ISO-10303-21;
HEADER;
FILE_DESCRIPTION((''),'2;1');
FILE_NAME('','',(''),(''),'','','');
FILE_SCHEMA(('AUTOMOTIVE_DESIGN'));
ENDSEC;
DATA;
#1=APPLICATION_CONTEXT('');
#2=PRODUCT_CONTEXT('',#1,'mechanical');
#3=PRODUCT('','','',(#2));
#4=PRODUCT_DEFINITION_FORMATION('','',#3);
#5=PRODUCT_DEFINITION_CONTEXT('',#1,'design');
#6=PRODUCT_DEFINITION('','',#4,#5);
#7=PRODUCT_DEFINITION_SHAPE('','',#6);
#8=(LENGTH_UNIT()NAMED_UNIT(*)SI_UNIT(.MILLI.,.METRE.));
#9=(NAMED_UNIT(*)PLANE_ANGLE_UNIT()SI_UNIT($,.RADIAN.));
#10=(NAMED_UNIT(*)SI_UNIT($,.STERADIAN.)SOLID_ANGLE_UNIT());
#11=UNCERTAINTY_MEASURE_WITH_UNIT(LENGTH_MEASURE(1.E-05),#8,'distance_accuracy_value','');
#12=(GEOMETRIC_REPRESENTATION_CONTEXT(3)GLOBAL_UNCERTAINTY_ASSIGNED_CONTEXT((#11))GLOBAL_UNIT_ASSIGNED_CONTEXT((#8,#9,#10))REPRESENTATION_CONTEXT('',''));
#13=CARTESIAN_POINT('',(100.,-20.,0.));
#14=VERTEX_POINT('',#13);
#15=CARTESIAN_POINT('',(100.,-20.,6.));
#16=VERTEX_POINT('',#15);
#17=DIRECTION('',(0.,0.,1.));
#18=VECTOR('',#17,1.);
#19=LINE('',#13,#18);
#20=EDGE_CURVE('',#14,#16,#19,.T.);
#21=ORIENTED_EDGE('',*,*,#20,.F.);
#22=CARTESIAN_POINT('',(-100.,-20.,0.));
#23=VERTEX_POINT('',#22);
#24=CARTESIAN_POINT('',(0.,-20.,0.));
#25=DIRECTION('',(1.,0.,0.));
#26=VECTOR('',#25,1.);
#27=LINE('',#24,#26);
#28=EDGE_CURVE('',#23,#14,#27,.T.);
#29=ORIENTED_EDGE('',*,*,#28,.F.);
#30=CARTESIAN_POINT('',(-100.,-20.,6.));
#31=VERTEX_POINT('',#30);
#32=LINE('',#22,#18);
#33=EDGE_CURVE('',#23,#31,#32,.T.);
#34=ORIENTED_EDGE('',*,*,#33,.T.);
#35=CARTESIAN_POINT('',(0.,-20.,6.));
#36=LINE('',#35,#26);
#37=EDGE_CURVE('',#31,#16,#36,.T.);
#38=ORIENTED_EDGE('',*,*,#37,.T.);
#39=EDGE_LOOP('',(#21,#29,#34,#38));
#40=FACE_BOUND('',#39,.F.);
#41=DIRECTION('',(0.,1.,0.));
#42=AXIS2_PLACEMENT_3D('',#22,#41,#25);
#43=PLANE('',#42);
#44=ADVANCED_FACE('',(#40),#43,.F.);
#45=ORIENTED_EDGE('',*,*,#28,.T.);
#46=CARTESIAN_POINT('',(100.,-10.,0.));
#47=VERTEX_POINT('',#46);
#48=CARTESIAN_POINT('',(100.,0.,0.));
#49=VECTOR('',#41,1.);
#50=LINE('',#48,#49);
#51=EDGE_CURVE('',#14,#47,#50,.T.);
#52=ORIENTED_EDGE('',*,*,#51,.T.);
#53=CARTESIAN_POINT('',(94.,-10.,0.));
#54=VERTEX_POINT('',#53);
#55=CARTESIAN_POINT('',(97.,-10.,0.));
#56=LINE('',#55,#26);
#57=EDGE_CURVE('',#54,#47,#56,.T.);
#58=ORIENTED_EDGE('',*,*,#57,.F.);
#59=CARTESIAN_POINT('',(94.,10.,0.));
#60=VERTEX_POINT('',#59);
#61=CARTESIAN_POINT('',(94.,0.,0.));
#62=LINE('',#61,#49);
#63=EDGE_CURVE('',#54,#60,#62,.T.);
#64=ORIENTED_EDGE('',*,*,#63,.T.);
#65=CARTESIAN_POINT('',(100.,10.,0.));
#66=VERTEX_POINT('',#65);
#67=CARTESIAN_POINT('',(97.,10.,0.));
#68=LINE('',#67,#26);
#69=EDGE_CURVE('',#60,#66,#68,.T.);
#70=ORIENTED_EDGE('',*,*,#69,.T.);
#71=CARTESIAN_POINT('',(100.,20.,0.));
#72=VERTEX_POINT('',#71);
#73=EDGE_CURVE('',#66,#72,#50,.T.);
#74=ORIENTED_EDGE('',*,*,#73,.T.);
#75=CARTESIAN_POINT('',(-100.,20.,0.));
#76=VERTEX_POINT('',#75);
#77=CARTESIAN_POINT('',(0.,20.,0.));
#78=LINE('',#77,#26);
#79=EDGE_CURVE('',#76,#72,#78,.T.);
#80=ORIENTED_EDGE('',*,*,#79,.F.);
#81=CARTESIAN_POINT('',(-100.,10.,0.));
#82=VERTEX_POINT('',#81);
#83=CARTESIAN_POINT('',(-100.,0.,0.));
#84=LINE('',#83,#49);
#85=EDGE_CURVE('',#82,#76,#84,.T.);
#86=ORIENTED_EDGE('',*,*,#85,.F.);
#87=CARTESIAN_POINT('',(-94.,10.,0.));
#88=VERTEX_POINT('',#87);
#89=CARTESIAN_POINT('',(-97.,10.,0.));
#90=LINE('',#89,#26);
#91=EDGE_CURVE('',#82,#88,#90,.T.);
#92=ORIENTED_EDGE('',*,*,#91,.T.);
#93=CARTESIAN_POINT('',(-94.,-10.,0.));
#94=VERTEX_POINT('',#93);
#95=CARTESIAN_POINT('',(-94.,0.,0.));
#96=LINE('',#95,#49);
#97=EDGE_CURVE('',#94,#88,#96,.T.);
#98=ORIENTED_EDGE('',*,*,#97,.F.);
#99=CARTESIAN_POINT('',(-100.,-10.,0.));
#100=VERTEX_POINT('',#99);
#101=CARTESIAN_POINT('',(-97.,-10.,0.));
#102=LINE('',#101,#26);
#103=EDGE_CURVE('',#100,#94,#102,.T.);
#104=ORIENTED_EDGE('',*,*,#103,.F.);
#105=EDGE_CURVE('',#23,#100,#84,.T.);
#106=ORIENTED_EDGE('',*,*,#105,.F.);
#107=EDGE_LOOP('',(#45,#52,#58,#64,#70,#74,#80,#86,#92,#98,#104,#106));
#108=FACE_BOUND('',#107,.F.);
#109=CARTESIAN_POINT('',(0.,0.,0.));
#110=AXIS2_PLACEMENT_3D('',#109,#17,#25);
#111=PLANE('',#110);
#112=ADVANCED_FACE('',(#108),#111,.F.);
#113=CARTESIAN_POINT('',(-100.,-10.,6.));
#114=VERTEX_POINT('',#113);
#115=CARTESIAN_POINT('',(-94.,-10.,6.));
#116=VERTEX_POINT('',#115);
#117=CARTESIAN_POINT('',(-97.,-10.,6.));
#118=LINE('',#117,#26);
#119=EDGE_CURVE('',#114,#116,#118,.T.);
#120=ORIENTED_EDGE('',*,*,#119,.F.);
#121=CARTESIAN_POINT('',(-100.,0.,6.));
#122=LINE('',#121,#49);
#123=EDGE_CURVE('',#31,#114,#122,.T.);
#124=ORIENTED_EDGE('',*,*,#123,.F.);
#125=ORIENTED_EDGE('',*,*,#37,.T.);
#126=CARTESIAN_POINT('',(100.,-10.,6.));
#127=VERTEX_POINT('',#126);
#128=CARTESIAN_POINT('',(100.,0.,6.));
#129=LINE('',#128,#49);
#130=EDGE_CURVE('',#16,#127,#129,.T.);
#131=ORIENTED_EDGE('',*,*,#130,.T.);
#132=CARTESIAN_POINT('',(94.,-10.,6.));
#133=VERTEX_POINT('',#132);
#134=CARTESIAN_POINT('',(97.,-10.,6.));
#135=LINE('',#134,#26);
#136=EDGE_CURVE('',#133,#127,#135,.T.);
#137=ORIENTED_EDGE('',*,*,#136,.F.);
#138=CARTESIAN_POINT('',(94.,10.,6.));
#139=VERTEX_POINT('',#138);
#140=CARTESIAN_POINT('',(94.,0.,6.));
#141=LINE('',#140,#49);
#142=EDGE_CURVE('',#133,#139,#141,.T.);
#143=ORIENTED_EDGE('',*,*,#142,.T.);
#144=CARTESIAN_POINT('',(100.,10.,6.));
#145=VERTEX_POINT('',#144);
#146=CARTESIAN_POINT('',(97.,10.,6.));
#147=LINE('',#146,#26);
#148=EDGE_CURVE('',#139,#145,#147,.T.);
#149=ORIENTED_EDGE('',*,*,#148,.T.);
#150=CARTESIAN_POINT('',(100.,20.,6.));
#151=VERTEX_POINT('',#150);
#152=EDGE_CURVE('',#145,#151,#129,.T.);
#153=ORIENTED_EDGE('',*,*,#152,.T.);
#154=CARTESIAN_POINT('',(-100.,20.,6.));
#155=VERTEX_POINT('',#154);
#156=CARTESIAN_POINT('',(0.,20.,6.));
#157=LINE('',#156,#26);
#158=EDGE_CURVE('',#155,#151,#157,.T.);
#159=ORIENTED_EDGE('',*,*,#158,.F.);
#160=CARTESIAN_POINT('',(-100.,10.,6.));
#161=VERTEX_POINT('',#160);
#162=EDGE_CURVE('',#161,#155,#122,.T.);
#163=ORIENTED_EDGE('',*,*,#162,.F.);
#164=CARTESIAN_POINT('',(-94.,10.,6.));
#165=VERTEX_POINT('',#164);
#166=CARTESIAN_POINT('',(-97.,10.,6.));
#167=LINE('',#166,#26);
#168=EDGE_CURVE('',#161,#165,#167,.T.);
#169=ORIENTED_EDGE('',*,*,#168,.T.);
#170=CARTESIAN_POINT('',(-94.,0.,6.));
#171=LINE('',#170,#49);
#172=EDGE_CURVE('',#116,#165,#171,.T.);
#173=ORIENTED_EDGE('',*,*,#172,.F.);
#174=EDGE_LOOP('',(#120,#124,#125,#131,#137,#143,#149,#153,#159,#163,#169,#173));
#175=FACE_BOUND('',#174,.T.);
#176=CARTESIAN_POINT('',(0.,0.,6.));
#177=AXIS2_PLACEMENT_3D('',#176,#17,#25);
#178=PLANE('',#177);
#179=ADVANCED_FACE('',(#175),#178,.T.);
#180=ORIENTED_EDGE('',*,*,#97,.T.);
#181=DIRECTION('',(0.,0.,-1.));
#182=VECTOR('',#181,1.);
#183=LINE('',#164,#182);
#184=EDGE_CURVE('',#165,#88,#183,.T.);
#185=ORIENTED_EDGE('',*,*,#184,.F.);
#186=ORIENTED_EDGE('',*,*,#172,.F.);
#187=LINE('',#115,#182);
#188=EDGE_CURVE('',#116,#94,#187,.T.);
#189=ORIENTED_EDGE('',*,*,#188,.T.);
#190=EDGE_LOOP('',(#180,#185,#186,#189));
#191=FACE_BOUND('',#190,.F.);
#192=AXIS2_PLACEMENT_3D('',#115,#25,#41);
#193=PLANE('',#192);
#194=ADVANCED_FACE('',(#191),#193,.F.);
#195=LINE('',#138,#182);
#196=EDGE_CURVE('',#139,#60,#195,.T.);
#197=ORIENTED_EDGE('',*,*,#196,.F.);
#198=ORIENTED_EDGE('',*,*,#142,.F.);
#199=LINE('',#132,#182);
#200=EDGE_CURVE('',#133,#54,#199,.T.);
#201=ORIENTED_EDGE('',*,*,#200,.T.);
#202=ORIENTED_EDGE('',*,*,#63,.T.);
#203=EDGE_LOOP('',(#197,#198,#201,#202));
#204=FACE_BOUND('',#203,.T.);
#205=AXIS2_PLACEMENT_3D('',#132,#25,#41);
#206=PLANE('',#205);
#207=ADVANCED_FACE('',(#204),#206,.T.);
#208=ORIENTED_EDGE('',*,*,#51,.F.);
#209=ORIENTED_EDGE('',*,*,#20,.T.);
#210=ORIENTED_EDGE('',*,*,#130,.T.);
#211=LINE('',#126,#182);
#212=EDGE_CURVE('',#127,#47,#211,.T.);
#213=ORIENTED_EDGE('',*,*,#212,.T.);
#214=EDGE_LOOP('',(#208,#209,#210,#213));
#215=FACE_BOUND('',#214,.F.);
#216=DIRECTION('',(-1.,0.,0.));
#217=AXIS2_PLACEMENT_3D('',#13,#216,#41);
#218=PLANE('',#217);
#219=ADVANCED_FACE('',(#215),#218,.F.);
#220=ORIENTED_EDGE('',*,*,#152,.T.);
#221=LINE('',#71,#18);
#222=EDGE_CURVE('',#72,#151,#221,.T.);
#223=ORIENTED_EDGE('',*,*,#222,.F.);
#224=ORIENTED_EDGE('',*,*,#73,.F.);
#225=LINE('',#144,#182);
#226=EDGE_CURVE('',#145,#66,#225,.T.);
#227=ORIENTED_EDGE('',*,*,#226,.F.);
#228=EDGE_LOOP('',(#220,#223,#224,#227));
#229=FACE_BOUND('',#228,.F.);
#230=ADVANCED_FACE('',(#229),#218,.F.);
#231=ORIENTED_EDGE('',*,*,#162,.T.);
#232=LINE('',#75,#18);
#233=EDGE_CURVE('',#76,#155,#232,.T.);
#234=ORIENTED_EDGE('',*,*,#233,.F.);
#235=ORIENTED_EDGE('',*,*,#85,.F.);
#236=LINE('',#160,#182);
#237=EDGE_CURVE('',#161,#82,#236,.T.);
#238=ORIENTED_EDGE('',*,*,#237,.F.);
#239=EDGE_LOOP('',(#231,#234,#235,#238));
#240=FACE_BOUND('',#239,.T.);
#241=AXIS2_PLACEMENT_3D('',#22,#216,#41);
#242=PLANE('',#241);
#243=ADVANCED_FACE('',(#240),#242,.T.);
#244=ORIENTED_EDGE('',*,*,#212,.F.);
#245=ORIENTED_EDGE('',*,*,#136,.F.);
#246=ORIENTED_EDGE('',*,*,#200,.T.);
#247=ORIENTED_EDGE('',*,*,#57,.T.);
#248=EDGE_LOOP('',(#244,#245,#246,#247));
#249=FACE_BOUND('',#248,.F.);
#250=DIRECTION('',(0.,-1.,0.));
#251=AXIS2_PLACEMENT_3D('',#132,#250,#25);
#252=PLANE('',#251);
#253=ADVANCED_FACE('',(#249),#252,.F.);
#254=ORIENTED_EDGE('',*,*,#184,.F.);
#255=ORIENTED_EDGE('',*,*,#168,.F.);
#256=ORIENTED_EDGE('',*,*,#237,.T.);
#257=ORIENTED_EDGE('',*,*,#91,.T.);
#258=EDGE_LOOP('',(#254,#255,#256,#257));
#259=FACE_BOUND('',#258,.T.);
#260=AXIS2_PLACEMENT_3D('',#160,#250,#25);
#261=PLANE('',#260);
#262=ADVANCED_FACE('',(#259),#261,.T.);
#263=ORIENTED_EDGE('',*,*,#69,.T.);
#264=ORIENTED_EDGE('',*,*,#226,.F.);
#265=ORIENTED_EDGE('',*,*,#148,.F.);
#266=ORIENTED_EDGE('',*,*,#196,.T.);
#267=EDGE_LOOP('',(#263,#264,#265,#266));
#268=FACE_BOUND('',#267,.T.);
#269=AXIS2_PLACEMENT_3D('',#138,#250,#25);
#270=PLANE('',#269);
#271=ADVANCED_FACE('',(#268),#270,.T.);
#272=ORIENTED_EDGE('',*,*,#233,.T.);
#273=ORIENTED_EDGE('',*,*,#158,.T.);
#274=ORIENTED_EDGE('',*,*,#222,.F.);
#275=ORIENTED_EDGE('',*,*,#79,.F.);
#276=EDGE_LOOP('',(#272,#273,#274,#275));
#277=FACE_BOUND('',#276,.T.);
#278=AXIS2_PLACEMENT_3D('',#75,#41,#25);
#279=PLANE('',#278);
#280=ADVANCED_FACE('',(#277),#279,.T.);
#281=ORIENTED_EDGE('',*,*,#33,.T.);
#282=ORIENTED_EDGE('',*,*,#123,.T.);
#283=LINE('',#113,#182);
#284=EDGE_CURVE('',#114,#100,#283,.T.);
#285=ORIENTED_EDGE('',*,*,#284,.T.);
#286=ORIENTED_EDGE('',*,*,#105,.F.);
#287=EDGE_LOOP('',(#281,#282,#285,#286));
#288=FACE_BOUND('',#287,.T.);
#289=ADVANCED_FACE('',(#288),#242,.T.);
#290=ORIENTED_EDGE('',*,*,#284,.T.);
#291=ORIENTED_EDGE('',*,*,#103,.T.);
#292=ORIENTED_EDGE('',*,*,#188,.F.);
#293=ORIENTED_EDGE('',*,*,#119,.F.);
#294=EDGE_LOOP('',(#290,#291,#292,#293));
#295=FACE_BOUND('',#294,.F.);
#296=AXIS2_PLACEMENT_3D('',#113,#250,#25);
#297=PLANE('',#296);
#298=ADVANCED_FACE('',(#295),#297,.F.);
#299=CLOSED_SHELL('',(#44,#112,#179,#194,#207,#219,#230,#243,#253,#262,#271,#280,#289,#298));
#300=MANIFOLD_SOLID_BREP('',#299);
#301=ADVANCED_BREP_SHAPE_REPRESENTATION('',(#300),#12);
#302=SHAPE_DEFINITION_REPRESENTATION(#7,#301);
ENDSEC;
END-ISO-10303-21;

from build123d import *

# Parameters (mm, degrees)
F0_W     = 200
F0_H     = 40
F1_DEPTH = 6
F2_W     = 6
F2_H     = 20
F3_DEPTH = 6


with BuildPart() as f1:
    # F0 (on Top) → F1 (new body)
    with BuildSketch(Plane.XY):
        Rectangle(F0_W, F0_H)
    extrude(amount=F1_DEPTH)

    # F2 (on face) → F3 (cut, through all)
    with BuildSketch(Plane.XY.offset(6)):
        with Locations((97, 0)):
            Rectangle(F2_W, F2_H)
        with Locations((-97, 0)):
            Rectangle(F2_W, F2_H)
    extrude(amount=-F3_DEPTH, mode=Mode.SUBTRACT)


solid = f1.part
